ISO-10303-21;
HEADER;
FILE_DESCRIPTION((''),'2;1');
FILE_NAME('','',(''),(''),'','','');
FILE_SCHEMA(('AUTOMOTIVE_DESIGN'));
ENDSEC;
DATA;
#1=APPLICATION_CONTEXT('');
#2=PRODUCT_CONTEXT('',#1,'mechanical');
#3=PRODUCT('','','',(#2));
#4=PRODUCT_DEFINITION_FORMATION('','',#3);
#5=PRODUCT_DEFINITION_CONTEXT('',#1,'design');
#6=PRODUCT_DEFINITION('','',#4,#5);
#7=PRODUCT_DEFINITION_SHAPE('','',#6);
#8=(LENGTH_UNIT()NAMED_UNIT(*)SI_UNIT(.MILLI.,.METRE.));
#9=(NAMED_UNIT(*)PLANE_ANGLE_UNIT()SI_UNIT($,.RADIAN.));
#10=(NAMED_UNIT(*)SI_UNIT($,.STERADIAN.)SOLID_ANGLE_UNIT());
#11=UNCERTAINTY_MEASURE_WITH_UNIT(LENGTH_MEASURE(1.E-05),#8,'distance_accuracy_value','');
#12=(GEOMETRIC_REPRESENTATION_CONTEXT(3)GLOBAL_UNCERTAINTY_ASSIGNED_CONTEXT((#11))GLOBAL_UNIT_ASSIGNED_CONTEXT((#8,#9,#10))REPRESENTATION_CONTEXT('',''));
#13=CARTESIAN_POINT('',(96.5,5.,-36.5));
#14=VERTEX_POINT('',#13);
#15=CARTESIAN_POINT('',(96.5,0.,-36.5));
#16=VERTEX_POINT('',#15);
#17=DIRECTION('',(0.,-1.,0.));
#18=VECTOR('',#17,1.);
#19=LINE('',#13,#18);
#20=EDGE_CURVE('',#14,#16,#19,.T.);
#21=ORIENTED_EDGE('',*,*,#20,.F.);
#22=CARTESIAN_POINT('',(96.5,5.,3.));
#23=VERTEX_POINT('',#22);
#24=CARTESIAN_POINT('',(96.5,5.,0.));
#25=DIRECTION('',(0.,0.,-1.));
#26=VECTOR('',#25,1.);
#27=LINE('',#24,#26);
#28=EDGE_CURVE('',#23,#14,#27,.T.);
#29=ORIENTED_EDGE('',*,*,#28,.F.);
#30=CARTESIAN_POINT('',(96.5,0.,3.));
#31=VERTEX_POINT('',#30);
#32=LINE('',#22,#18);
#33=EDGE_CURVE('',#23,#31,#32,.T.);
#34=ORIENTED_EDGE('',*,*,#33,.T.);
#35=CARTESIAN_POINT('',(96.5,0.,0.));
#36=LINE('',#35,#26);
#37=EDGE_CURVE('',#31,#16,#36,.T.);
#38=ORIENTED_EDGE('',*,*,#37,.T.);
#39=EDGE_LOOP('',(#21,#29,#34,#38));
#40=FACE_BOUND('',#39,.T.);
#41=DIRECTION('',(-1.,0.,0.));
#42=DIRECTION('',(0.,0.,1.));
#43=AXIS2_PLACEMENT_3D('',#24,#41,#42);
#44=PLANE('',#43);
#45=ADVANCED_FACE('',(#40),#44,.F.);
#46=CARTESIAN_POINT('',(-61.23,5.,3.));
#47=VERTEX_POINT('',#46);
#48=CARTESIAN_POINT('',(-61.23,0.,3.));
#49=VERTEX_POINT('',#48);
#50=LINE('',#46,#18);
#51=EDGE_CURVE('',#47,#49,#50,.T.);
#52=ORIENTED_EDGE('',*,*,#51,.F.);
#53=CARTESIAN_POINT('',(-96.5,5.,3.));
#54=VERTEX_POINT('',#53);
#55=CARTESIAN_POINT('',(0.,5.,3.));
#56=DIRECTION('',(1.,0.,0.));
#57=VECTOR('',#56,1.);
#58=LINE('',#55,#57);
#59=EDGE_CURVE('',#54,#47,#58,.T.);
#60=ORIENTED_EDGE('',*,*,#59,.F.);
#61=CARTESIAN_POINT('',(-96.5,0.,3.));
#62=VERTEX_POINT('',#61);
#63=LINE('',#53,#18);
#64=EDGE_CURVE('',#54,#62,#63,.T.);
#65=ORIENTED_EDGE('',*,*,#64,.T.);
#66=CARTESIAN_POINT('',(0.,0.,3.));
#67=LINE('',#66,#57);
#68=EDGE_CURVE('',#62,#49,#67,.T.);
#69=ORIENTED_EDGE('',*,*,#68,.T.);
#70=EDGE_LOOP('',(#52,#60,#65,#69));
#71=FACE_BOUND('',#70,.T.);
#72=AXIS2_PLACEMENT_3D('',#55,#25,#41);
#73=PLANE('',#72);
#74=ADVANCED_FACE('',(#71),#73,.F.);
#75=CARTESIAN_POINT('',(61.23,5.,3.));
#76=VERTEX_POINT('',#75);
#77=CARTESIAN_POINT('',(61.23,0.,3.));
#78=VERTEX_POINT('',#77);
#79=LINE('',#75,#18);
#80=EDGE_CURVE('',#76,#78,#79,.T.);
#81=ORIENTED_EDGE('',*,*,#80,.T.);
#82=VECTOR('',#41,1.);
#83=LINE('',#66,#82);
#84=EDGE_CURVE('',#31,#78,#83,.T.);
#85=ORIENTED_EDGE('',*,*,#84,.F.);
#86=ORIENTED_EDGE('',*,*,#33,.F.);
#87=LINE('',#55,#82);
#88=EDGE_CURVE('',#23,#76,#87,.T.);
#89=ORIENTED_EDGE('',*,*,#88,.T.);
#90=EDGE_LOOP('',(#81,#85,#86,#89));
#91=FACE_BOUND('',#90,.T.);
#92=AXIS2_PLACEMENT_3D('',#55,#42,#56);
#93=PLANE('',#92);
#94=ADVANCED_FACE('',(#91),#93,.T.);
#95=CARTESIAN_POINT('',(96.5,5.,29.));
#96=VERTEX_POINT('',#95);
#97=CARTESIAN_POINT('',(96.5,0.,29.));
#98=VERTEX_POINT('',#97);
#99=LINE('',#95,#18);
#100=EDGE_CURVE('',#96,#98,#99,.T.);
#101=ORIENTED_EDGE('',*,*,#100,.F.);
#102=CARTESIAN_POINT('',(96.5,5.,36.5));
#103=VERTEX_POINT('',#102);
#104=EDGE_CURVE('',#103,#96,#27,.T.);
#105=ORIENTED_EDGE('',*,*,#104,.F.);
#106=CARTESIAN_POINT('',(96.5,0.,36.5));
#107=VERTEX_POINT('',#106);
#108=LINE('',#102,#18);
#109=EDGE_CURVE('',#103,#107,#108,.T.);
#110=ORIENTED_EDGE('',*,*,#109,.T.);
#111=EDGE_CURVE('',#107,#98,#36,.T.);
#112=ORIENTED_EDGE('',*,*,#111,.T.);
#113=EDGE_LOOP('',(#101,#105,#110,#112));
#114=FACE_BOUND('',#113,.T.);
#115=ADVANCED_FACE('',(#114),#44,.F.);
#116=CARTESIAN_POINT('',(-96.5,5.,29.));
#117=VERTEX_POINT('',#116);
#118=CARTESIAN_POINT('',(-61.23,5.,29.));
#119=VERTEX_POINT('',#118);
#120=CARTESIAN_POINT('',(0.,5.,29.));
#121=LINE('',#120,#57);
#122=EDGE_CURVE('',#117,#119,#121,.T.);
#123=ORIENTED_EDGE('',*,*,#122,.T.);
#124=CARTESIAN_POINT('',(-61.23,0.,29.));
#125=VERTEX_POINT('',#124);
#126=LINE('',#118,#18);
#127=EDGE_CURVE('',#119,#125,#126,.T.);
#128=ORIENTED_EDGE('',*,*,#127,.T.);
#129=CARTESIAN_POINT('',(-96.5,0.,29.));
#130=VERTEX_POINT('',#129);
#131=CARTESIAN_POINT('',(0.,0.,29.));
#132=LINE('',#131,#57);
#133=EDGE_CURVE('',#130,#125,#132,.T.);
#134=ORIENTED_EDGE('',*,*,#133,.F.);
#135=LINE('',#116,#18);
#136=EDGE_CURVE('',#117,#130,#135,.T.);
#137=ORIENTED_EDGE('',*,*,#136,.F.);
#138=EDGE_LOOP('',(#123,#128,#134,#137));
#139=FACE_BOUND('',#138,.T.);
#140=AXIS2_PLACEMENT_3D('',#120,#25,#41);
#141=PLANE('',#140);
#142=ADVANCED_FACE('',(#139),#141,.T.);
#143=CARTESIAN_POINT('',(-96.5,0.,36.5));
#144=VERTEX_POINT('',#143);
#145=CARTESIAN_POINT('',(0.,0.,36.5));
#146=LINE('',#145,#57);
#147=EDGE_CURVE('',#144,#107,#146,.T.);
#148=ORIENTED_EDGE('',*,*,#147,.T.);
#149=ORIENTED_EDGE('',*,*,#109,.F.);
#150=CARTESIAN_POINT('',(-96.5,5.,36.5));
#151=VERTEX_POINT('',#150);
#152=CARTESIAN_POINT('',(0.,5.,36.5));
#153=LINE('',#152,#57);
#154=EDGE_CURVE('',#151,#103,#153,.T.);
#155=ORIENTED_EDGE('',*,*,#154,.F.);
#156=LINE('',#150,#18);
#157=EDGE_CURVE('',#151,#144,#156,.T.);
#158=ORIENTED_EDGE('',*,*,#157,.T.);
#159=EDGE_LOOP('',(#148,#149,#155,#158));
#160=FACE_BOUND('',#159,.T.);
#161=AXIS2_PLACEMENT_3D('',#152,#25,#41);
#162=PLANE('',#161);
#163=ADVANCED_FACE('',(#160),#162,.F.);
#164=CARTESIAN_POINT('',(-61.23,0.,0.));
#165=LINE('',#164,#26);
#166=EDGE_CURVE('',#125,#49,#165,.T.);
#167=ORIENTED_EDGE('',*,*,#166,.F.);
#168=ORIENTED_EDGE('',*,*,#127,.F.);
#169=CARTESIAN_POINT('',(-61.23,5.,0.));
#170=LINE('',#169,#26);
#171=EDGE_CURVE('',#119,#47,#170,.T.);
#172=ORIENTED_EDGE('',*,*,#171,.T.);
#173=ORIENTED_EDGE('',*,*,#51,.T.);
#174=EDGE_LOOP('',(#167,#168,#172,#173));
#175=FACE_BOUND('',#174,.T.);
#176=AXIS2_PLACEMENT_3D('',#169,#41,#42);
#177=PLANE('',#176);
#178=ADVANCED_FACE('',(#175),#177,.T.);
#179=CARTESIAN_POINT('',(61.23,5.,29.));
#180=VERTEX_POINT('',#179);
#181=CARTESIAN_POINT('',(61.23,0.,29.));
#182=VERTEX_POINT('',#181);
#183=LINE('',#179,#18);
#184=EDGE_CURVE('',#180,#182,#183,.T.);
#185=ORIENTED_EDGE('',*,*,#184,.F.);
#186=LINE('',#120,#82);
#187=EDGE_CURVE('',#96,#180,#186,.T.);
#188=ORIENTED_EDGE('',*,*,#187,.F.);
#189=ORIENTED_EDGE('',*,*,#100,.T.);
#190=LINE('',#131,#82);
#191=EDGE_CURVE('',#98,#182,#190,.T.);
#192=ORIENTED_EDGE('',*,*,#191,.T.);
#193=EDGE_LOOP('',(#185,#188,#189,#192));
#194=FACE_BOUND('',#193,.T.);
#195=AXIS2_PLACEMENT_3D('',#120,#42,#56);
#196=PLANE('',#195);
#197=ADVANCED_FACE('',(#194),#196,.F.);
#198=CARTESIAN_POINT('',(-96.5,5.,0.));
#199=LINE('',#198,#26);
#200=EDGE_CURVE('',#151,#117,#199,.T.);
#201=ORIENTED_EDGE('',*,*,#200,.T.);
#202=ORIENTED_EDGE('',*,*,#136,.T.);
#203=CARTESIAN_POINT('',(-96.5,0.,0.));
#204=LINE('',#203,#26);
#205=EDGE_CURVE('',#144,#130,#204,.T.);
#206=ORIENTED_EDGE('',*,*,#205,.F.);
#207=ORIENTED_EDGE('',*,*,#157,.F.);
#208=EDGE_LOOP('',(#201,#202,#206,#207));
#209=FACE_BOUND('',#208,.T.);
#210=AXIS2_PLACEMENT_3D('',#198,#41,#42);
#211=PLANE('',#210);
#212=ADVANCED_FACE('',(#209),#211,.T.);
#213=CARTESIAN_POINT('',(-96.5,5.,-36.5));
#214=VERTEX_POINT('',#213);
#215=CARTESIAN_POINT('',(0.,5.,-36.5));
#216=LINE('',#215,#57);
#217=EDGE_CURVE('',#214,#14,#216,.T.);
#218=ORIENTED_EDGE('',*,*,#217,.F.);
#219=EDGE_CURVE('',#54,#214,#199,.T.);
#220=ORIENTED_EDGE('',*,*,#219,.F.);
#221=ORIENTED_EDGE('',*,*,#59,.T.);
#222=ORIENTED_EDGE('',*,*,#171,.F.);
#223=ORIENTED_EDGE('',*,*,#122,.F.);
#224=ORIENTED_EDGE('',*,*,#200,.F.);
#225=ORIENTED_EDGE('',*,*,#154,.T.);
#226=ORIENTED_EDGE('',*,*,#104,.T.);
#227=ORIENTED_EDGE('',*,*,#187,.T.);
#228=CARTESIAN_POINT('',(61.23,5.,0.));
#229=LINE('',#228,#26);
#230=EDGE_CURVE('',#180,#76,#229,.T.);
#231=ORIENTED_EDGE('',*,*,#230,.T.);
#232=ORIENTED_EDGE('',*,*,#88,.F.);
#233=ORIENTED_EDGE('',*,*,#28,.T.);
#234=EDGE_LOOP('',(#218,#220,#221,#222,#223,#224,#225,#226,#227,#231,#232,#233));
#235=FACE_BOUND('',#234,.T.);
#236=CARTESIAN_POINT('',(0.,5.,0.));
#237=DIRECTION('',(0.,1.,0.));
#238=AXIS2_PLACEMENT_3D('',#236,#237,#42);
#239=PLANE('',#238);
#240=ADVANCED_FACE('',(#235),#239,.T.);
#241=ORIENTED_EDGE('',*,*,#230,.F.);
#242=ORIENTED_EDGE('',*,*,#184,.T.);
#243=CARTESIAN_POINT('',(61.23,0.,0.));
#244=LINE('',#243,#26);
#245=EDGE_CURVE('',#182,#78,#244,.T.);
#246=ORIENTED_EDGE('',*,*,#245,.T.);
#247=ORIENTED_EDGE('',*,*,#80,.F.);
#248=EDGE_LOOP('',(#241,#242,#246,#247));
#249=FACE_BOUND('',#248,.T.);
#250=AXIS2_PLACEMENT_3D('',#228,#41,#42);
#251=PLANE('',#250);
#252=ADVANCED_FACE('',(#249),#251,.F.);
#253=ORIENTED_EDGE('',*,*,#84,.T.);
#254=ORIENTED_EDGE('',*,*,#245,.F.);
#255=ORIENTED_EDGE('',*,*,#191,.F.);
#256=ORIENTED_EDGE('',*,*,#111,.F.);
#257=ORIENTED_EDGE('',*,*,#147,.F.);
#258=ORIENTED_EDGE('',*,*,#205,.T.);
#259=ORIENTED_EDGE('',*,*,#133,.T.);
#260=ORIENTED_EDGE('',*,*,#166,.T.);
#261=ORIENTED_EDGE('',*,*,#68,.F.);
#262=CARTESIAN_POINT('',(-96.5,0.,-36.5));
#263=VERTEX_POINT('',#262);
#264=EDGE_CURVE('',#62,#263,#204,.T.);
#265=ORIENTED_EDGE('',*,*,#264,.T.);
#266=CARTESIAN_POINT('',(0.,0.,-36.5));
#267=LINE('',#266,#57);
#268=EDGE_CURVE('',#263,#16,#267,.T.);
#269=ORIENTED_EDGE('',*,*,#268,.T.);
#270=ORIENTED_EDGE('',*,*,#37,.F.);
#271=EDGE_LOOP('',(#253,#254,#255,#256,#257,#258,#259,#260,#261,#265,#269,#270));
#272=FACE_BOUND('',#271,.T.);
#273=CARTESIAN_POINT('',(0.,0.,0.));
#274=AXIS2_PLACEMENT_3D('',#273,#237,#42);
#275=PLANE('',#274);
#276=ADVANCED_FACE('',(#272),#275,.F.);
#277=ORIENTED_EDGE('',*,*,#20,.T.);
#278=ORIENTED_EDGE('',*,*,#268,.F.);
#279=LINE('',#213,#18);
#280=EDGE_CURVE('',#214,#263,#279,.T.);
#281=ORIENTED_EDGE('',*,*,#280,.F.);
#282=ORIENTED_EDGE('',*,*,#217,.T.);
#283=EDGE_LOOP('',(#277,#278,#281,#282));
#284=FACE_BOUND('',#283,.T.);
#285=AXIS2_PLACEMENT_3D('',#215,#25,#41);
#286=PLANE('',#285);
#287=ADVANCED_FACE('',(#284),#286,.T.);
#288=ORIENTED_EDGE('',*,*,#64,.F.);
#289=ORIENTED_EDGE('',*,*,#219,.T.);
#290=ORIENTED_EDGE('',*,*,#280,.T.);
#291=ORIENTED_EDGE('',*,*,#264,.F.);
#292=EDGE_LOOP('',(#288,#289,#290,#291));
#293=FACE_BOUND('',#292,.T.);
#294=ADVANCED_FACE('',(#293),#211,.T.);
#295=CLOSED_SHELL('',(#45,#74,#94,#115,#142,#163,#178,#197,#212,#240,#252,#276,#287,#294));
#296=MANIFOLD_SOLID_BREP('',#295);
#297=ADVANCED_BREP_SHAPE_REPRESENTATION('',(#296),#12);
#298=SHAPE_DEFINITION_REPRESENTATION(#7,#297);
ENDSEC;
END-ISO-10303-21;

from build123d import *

# Parameters (mm, degrees)
SALIENTE_EXTRUIR1_DEPTH = 5


with BuildPart() as part:
    # Croquis1 → Saliente-Extruir1 (new body)
    with BuildSketch(Plane(origin=(0, 0, 0), x_dir=(1, 0, 0), z_dir=(0, 1, 0))):
        Polygon((-96.5, -29), (-96.5, -36.5), (96.5, -36.5), (96.5, -29), (61.23, -29), (61.23, -3), (96.5, -3), (96.5, 36.5), (-96.5, 36.5), (-96.5, -3), (-61.23, -3), (-61.23, -29), align=None)
    extrude(amount=SALIENTE_EXTRUIR1_DEPTH)


solid = part.part
